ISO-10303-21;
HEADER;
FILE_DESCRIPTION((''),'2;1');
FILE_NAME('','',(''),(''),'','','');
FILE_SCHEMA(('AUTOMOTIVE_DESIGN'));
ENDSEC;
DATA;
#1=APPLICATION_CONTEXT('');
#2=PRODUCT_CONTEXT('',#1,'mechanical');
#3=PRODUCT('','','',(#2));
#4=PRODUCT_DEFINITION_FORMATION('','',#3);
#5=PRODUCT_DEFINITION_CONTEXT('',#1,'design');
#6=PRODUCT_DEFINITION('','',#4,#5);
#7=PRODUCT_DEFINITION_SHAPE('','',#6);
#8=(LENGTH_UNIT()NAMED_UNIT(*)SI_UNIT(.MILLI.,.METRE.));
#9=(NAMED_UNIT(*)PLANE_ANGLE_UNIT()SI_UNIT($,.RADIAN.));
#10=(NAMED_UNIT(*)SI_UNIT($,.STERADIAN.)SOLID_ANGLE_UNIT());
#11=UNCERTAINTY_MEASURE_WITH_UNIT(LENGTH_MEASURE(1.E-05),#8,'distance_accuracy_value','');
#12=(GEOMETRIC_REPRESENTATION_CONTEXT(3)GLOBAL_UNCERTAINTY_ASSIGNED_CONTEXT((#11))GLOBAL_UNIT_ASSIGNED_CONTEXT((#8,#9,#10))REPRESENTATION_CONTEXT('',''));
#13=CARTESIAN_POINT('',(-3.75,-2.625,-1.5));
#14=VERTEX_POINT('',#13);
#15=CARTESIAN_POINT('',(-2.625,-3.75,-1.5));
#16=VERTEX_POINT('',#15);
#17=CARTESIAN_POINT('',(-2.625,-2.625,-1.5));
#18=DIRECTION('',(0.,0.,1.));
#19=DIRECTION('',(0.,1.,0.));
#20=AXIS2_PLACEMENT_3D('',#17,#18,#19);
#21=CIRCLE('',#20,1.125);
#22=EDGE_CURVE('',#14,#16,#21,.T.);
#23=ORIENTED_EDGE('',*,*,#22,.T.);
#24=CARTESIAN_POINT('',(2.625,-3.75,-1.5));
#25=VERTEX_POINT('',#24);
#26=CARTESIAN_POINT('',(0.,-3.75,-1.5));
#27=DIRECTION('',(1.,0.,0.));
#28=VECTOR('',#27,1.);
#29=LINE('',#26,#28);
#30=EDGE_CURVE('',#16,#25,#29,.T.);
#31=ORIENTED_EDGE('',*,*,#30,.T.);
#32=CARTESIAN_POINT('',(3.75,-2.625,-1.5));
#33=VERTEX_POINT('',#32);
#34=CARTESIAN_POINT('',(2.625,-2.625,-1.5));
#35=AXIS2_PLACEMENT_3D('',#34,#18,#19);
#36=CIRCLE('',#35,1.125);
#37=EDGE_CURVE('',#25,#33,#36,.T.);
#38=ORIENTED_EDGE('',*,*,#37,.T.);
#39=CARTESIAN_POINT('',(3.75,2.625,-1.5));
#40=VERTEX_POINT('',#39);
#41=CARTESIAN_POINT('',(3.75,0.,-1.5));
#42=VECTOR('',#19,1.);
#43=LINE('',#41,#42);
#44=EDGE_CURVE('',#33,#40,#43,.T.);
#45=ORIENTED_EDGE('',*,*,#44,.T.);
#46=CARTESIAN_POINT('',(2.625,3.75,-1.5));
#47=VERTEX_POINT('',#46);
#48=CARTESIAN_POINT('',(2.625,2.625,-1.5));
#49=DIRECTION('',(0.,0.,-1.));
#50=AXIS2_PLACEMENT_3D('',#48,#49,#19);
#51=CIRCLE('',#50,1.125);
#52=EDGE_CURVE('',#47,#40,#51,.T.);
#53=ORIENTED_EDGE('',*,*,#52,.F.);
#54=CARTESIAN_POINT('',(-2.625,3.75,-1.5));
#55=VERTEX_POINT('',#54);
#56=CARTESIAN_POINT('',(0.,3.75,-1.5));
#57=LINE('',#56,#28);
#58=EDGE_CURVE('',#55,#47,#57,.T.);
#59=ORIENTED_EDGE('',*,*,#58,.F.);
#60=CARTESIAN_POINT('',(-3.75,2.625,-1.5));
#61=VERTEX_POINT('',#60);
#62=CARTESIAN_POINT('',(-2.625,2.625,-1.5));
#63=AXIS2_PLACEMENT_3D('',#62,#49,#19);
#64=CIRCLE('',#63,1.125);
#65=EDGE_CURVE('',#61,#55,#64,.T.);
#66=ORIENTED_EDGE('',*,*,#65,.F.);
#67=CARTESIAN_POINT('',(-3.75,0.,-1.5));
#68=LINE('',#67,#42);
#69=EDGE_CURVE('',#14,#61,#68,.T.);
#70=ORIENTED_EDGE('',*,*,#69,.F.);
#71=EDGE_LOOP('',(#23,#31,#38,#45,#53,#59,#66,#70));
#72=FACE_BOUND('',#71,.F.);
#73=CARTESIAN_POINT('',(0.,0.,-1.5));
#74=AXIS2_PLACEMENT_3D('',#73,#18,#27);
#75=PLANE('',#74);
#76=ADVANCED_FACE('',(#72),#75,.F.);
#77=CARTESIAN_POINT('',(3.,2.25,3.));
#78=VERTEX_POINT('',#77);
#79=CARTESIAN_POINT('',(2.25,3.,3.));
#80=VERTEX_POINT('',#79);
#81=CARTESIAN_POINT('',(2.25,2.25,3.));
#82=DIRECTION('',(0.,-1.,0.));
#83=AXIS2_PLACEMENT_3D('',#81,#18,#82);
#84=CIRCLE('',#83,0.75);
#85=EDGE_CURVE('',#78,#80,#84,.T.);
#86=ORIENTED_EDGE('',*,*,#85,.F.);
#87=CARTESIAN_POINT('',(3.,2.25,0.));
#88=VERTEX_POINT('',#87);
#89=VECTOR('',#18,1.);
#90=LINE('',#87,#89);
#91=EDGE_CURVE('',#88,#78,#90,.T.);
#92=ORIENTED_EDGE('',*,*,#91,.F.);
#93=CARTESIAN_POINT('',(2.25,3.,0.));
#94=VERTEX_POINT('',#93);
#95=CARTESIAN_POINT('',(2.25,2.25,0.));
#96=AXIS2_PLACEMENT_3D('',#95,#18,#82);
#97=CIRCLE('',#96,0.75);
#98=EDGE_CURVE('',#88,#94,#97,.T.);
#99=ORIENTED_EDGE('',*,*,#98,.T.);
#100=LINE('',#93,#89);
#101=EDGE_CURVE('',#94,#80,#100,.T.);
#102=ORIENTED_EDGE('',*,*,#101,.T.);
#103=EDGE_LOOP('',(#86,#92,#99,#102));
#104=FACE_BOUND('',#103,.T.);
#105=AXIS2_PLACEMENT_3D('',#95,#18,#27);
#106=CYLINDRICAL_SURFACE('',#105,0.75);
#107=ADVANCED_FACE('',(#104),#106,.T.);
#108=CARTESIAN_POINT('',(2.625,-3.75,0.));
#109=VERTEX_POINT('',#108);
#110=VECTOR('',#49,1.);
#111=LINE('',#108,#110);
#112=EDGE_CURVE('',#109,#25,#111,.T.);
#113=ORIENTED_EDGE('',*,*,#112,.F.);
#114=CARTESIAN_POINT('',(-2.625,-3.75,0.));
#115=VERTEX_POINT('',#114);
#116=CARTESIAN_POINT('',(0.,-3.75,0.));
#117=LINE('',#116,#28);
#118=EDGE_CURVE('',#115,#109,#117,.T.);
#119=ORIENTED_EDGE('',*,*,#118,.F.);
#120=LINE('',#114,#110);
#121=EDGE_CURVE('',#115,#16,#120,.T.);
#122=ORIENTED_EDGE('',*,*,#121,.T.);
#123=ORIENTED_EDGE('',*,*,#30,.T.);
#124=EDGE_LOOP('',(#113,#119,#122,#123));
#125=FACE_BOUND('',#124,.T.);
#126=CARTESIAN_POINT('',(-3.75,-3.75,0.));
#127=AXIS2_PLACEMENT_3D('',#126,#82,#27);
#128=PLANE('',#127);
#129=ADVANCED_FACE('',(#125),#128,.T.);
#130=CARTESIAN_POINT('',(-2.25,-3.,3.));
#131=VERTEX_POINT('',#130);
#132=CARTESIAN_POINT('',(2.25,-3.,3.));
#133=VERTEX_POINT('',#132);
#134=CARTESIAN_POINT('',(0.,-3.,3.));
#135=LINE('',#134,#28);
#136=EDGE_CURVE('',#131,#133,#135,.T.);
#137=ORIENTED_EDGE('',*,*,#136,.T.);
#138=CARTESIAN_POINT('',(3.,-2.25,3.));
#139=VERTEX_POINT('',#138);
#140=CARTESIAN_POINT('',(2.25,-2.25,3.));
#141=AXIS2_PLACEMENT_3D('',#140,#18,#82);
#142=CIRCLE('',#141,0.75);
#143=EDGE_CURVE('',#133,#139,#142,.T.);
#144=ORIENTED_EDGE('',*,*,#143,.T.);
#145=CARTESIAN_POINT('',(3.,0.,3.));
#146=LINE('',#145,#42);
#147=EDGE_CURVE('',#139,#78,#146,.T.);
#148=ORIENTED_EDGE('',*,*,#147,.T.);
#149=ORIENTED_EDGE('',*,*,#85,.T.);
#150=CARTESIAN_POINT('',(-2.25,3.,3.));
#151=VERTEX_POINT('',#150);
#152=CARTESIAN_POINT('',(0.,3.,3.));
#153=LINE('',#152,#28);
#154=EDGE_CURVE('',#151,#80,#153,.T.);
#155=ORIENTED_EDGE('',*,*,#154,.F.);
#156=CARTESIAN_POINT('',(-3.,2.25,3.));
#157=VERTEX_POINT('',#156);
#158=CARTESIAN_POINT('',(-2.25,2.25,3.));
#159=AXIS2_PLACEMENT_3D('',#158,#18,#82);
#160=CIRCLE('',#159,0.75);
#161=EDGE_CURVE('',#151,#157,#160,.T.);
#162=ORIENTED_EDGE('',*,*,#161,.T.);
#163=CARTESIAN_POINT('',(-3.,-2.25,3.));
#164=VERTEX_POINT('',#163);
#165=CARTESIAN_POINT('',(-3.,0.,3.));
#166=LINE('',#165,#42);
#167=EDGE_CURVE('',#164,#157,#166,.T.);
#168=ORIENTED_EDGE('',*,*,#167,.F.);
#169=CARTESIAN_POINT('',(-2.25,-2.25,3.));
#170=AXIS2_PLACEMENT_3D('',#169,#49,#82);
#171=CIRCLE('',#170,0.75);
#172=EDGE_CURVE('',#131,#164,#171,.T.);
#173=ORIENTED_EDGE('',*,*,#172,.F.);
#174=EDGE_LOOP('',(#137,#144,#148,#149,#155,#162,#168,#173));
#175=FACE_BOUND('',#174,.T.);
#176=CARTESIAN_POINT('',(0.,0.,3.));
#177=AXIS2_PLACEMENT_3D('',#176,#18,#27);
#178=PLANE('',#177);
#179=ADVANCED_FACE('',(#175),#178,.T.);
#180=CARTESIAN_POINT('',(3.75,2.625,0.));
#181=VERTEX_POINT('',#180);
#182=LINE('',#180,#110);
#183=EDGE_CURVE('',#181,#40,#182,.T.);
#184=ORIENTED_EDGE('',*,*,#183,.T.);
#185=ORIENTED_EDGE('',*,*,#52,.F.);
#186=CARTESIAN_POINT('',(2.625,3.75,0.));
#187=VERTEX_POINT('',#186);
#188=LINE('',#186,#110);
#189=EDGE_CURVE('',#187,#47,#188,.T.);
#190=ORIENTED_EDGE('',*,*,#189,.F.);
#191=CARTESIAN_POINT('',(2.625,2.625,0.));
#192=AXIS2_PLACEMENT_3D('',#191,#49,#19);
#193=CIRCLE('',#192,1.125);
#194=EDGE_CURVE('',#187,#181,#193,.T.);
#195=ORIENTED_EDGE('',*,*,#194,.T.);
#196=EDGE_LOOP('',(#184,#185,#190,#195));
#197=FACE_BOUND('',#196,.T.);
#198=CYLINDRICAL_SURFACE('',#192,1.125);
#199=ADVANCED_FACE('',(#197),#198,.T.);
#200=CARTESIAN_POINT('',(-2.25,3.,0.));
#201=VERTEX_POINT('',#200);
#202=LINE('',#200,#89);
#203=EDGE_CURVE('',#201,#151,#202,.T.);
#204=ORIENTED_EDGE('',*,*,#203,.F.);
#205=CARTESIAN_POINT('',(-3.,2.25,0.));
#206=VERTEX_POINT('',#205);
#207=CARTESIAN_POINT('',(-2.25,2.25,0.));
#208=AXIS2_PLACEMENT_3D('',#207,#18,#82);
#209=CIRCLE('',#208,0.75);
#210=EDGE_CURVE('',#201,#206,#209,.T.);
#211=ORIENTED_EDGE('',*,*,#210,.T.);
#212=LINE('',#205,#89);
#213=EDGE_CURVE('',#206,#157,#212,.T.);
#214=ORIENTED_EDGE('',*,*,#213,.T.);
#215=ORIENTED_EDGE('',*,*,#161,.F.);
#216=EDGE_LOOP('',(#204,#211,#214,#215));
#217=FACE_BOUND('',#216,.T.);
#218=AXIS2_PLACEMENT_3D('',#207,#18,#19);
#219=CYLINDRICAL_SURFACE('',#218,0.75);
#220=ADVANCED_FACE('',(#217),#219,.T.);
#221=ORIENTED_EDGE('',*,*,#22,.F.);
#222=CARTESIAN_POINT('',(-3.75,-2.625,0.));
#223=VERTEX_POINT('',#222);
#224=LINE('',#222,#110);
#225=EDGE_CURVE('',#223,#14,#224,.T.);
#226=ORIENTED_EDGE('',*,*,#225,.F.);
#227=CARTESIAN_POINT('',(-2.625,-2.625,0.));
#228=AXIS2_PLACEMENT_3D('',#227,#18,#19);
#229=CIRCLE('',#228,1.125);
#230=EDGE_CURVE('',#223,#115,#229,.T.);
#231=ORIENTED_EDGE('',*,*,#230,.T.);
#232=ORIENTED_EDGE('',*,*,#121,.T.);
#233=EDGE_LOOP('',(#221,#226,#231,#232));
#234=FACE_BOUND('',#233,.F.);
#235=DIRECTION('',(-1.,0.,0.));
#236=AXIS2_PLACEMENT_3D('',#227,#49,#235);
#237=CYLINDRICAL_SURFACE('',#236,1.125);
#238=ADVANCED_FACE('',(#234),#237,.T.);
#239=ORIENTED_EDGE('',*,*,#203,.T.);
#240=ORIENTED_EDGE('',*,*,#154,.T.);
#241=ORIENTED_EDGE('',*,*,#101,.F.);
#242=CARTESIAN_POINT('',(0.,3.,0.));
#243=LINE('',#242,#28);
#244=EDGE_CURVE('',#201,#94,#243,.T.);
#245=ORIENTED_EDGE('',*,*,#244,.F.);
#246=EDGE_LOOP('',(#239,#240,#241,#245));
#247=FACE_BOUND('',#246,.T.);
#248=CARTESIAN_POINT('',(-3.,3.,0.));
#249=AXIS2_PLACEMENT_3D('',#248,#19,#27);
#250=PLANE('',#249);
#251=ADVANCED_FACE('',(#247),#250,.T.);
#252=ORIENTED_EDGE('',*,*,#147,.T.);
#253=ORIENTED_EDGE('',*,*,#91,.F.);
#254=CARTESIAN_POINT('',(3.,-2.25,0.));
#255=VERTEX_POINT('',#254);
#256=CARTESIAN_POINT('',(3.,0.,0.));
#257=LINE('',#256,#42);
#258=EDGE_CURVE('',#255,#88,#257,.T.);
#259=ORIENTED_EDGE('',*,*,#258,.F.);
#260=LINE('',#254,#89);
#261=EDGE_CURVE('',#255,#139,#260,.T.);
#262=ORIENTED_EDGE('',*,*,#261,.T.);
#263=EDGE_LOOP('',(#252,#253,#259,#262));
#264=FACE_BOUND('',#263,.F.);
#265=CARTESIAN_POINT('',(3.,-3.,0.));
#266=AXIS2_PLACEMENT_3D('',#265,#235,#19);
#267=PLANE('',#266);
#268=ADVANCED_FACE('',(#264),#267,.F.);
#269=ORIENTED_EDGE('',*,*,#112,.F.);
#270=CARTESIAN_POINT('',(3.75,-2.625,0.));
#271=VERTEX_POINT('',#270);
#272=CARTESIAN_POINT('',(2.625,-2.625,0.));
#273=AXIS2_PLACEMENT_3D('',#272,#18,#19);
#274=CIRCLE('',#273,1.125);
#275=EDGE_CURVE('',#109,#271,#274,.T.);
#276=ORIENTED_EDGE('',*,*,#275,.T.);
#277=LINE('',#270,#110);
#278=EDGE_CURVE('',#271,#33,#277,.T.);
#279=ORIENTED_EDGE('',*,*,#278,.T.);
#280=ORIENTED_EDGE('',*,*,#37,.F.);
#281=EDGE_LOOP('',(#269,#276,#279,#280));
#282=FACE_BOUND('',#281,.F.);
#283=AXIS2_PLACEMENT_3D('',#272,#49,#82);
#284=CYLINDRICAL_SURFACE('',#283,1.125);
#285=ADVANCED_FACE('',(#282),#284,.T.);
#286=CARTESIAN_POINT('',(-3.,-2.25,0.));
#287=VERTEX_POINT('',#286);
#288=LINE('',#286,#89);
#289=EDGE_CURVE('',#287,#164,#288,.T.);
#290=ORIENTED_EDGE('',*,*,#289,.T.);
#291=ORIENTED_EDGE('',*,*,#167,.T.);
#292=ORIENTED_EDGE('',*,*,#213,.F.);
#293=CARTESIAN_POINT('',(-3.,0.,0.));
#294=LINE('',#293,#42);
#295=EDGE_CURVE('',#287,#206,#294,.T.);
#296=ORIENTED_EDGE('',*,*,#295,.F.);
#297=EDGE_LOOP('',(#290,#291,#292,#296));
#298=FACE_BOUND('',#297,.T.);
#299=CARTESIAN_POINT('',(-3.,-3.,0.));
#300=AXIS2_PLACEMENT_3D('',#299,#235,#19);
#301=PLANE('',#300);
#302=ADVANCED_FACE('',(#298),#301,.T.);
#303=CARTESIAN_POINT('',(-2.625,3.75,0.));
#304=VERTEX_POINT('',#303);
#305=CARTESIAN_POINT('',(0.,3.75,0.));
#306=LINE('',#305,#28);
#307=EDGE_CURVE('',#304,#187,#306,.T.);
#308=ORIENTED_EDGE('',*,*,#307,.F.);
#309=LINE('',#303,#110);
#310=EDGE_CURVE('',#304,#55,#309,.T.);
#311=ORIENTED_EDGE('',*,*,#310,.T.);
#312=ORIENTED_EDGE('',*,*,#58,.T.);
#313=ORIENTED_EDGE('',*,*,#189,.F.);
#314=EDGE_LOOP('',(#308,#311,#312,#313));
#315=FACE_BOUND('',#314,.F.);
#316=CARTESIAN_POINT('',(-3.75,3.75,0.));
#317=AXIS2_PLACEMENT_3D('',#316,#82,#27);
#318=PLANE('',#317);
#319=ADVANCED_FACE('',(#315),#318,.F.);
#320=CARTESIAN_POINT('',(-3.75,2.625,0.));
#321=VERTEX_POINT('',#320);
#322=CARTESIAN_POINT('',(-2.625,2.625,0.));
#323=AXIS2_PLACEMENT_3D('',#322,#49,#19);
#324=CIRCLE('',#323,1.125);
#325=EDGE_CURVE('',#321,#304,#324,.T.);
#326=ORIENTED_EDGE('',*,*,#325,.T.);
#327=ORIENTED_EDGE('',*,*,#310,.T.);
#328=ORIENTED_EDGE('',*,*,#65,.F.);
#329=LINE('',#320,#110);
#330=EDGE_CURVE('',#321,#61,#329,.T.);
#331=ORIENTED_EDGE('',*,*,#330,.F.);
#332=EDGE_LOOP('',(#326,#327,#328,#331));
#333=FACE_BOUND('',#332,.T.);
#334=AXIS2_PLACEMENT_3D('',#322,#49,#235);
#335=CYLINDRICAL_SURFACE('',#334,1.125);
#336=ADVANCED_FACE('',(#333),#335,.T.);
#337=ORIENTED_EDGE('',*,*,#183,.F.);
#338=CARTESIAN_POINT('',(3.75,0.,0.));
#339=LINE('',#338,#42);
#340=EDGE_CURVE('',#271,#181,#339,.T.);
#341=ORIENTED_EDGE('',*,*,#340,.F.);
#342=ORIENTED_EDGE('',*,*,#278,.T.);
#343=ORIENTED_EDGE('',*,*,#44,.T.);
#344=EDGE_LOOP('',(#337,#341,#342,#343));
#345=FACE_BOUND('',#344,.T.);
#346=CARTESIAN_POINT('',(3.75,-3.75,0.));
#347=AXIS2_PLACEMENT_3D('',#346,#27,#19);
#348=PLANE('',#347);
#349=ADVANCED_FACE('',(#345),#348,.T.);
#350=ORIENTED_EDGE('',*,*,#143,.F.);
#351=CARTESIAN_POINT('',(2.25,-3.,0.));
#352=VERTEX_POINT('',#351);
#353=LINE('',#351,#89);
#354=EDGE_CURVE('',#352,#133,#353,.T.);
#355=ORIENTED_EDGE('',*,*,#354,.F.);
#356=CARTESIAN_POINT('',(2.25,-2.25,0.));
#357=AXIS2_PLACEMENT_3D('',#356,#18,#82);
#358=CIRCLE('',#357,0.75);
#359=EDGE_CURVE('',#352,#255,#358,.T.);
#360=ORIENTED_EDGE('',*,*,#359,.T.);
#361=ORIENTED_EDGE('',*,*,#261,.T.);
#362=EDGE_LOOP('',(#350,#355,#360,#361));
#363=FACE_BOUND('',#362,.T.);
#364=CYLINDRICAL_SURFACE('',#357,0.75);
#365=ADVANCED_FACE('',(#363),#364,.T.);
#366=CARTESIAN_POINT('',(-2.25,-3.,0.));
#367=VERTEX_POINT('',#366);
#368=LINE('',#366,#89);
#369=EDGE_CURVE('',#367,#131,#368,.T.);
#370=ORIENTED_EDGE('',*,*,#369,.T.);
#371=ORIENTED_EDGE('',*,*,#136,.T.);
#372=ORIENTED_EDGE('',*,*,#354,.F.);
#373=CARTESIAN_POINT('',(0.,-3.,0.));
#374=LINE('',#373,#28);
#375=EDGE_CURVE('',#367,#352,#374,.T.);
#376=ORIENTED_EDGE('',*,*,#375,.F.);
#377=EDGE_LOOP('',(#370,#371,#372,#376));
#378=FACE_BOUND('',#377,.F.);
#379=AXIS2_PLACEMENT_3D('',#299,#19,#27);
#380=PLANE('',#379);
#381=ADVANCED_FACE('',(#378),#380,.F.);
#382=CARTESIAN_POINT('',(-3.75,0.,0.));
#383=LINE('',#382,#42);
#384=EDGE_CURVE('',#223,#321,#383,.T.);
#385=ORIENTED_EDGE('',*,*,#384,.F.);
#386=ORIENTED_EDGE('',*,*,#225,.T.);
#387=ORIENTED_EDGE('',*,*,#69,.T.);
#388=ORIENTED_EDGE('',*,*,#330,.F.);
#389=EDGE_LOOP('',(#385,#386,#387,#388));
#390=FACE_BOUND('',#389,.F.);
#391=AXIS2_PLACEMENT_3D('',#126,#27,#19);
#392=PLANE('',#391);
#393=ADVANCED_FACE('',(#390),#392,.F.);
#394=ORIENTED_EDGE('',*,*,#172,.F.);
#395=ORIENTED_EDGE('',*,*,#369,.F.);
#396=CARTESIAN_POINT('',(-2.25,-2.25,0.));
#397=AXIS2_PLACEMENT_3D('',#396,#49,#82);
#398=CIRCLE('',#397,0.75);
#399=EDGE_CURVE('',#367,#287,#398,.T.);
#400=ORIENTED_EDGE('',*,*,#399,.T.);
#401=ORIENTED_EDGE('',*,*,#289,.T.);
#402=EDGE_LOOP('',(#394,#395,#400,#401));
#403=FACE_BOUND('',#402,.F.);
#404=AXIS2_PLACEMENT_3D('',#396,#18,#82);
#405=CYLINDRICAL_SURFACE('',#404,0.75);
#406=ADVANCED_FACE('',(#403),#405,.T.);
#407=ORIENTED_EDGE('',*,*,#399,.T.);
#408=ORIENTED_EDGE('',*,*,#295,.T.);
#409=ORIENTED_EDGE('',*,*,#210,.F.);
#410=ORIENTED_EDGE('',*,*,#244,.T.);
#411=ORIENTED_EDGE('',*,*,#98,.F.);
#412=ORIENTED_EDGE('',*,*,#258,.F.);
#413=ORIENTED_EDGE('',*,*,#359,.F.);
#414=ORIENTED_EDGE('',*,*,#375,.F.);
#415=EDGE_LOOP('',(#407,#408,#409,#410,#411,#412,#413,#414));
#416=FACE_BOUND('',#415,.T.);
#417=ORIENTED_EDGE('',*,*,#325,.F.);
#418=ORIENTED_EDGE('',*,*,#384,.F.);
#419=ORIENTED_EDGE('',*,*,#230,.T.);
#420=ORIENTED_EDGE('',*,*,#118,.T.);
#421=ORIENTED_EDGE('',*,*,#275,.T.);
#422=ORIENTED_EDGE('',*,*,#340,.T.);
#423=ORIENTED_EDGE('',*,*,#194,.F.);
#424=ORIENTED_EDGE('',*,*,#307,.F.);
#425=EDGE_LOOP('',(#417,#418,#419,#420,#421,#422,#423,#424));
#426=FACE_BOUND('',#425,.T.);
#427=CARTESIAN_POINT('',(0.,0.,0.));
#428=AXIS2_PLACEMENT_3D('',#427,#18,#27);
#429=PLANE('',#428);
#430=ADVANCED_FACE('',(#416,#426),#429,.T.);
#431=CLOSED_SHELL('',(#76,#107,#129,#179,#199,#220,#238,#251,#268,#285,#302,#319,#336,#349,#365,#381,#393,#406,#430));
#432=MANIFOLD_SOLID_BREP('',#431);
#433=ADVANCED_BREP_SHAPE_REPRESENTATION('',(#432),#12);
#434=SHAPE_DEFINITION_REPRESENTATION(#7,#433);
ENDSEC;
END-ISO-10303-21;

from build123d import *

# Parameters (mm, degrees)
SKETCH_W     = 6
SKETCH_H     = 6
PAD_DEPTH    = 3
SKETCH001_W  = 7.5
SKETCH001_H  = 7.5
PAD001_DEPTH = 1.5
FILLET_R     = 1.125
FILLET001_R  = 0.75


with BuildPart() as part:
    # Sketch → Pad (new body)
    with BuildSketch(Plane.XY):
        Rectangle(SKETCH_W, SKETCH_H)
    extrude(amount=PAD_DEPTH)

    # Sketch001 → Pad001 (join)
    with BuildSketch(Plane.XY):
        Rectangle(SKETCH001_W, SKETCH001_H)
    extrude(amount=-PAD001_DEPTH)

    # Fillet
    fillet_edges = [part.edges().sort_by_distance(p)[0] for p in [
        (3.75, -3.75, -0.75),
        (3.75, 3.75, -0.75),
        (-3.75, 3.75, -0.75),
        (-3.75, -3.75, -0.75),
    ]]
    fillet(fillet_edges, radius=FILLET_R)

    # Fillet001
    fillet001_edges = [part.edges().sort_by_distance(p)[0] for p in [
        (3, -3, 1.5),
        (3, 3, 1.5),
        (-3, 3, 1.5),
        (-3, -3, 1.5),
    ]]
    fillet(fillet001_edges, radius=FILLET001_R)


solid = part.part
